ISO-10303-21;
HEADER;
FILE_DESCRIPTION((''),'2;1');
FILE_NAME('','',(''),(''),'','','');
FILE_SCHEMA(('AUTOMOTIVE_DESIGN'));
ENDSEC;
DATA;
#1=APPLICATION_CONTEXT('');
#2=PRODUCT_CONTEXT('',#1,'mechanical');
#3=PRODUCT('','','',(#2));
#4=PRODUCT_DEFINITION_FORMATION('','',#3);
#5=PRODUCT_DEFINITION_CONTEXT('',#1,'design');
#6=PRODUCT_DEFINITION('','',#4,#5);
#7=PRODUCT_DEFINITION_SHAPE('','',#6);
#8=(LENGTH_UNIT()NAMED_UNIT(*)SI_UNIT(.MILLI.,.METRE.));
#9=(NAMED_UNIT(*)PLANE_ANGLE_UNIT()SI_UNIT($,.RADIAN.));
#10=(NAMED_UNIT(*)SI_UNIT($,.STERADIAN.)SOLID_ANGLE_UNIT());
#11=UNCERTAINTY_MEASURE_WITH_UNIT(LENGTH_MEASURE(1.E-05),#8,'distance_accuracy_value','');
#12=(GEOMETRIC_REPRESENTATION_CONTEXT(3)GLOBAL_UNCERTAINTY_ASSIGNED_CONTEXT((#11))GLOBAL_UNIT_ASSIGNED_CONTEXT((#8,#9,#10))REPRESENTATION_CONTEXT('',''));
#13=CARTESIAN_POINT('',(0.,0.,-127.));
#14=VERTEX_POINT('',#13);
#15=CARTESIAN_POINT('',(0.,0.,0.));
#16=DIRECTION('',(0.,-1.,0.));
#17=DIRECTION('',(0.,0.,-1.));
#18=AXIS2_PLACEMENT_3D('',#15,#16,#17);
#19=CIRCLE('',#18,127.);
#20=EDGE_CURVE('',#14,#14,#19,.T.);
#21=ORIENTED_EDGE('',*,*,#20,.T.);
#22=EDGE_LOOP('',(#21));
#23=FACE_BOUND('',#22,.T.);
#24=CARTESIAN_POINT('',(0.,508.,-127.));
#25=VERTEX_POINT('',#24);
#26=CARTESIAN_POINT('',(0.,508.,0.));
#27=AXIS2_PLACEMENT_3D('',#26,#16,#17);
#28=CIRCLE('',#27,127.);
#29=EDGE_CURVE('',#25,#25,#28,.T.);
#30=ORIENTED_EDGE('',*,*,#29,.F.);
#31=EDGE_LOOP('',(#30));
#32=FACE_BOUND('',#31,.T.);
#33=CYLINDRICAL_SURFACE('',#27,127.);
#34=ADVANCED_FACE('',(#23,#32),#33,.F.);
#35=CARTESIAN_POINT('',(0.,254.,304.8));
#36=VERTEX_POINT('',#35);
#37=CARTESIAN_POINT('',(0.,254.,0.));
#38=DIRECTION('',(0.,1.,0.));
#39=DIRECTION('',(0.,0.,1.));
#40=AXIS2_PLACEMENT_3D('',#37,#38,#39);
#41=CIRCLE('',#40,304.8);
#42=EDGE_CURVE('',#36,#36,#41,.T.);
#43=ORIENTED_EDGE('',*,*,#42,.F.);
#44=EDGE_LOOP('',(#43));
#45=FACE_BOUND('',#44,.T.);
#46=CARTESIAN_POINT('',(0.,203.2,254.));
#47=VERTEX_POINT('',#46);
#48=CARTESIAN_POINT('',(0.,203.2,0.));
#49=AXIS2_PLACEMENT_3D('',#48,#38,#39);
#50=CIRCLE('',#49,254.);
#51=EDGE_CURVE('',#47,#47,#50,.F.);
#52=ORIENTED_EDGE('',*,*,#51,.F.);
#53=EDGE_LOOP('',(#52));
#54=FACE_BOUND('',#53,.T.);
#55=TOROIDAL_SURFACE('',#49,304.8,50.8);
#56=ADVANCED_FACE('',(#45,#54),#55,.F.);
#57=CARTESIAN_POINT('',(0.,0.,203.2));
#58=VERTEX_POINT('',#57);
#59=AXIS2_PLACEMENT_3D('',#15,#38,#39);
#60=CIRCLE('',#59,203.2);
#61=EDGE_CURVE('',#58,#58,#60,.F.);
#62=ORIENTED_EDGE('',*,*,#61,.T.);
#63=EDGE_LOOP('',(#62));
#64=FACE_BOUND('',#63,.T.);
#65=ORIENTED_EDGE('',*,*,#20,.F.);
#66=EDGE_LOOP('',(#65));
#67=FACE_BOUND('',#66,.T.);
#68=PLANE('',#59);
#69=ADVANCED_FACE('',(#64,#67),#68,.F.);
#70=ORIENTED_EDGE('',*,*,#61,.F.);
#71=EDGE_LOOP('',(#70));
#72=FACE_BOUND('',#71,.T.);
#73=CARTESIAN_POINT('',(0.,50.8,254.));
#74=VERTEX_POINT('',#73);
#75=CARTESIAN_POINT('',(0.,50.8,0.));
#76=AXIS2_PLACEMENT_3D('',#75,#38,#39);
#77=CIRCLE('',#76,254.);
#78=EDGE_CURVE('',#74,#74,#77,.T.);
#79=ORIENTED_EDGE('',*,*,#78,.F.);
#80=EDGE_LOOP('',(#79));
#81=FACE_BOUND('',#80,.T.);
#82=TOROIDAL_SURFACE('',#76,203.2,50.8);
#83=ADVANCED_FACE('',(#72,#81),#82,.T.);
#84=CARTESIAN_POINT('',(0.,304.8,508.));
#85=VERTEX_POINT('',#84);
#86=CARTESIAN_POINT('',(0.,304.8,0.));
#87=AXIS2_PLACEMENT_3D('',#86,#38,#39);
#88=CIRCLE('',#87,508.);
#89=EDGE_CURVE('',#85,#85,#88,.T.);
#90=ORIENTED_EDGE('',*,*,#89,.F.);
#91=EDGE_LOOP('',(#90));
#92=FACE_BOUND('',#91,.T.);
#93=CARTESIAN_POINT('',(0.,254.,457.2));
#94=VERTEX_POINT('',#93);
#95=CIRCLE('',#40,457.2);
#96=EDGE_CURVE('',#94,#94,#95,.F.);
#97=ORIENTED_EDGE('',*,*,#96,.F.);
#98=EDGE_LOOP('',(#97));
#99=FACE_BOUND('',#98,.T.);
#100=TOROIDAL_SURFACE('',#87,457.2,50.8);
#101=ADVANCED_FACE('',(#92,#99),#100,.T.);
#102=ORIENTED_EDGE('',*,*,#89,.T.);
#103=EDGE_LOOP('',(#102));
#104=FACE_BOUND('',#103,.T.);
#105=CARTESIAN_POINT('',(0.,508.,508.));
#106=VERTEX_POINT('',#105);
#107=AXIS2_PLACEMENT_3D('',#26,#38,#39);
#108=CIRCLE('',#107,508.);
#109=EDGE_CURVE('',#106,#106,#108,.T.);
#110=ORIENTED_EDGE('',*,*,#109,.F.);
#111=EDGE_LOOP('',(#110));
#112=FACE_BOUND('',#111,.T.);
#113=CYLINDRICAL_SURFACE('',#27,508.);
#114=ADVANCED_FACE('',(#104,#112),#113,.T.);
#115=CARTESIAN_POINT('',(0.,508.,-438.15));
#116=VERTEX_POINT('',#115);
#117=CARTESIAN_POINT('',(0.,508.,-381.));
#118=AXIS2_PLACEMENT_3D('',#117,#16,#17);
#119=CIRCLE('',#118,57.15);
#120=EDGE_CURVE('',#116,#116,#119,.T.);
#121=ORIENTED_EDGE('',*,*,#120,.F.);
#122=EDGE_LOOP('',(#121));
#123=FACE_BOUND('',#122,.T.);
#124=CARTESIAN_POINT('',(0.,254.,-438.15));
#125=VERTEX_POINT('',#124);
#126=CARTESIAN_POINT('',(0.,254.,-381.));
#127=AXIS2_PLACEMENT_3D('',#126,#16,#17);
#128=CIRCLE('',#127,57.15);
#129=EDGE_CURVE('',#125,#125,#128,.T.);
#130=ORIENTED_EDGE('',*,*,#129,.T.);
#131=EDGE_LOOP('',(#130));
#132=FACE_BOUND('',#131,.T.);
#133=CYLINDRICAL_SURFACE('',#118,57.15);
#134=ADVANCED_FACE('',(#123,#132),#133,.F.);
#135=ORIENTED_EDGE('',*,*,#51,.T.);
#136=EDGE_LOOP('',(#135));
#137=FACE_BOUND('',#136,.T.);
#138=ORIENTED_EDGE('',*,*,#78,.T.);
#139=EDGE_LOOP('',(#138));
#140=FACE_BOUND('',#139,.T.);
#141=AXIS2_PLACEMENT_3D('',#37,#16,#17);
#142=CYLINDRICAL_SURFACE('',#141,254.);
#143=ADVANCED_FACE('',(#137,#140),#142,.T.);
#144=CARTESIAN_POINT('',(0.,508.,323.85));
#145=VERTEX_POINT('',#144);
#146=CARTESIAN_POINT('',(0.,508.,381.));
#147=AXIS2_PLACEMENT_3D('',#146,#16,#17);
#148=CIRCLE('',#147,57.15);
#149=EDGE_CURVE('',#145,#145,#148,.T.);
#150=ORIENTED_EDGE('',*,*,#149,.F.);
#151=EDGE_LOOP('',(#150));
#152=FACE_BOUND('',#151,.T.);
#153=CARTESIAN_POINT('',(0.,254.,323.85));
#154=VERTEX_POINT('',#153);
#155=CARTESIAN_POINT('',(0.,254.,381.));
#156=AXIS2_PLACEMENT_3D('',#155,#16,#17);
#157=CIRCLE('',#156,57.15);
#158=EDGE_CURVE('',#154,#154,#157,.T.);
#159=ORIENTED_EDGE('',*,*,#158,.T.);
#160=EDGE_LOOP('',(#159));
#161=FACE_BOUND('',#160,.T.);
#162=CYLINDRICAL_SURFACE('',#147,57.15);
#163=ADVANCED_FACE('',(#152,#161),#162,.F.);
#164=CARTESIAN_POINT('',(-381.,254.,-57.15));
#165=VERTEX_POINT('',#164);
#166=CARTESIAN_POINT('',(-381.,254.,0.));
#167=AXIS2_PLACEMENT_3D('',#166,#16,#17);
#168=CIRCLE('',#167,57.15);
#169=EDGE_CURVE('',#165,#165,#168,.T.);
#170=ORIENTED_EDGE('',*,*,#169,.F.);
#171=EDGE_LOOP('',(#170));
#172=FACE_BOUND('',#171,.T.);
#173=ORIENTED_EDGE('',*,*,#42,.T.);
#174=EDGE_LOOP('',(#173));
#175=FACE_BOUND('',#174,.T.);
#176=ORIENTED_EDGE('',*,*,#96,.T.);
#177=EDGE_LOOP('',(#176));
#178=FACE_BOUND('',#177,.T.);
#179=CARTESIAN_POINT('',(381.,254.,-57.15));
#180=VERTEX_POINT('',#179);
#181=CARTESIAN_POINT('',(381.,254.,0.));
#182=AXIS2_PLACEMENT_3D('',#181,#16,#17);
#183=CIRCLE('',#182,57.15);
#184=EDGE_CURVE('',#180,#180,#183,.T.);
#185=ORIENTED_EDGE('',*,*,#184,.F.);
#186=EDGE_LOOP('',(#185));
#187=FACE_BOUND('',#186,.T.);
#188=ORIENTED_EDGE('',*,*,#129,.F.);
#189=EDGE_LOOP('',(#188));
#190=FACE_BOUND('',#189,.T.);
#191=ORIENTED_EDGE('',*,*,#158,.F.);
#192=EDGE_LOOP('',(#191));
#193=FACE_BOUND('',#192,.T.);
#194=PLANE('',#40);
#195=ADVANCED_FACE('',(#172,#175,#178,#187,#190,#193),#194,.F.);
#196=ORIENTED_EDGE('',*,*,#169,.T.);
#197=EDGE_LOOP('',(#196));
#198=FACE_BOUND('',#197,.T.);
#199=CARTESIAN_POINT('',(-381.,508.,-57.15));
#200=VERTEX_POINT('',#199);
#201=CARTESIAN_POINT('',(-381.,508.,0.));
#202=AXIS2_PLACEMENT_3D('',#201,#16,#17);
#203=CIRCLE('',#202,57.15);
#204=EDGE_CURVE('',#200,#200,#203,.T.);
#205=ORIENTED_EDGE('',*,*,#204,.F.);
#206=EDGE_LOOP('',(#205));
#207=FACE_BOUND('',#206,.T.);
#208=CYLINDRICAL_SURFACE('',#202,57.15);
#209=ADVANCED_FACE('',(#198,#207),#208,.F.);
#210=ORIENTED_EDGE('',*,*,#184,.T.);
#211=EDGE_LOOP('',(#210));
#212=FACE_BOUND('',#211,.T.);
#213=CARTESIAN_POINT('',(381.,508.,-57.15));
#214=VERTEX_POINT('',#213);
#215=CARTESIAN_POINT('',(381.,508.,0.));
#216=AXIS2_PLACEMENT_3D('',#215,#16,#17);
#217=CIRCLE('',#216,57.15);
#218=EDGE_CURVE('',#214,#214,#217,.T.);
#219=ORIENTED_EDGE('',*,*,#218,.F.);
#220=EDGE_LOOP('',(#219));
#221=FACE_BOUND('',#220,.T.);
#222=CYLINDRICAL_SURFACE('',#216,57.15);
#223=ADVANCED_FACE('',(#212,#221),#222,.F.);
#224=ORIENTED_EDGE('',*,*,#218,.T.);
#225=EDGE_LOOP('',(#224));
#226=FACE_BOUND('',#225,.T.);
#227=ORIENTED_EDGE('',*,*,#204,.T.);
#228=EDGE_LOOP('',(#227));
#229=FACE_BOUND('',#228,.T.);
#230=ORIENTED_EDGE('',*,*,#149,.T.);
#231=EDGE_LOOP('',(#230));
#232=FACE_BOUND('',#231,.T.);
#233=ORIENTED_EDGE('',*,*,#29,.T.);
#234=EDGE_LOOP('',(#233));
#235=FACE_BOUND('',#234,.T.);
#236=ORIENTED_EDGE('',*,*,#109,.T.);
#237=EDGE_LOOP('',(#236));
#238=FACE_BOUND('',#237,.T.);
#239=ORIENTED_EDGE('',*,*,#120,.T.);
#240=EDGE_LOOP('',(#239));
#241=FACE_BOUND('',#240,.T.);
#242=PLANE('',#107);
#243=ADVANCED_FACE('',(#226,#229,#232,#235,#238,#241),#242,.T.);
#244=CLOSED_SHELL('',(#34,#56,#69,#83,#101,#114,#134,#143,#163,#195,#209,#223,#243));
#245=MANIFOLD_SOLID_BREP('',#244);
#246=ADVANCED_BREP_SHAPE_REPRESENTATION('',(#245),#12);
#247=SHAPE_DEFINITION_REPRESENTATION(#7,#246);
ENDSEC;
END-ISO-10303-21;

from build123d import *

# Parameters (mm, degrees)
SKETCH1_R           = 254
BOSS_EXTRUDE1_DEPTH = 254
SKETCH2_R           = 508
BOSS_EXTRUDE2_DEPTH = 254
SKETCH3_R           = 127
CUT_EXTRUDE1_DEPTH  = 880.881810245
SKETCH4_R           = 57.15
CUT_EXTRUDE2_DEPTH  = 763
FILLET1_R           = 50.8


with BuildPart() as part:
    # Sketch1 → Boss-Extrude1 (new body)
    with BuildSketch(Plane(origin=(0, 0, 0), x_dir=(1, 0, 0), z_dir=(0, 1, 0))):
        with Locations(Location((0, 0, 0), (0, 0, 270))):
            Circle(SKETCH1_R)
    extrude(amount=BOSS_EXTRUDE1_DEPTH)

    # Sketch2 → Boss-Extrude2 (add)
    with BuildSketch(Plane(origin=(0, 254, 0), x_dir=(1, 0, 0), z_dir=(0, 1, 0))):
        with Locations(Location((0, 0, 0), (0, 0, 270))):
            Circle(SKETCH2_R)
    extrude(amount=BOSS_EXTRUDE2_DEPTH)

    # Sketch3 → Cut-Extrude1 (cut, through all)
    with BuildSketch(Plane.XZ):
        with Locations(Location((0, 0, 0), (0, 0, 270))):
            Circle(SKETCH3_R)
    extrude(amount=-CUT_EXTRUDE1_DEPTH, mode=Mode.SUBTRACT)

    # Sketch4 → Cut-Extrude2 (cut, through all)
    with BuildSketch(Plane.XZ.offset(-254)):
        with Locations(Location((0, -381, 0), (0, 0, 270))):
            Circle(SKETCH4_R)
        with Locations(Location((381, 0, 0), (0, 0, 270))):
            Circle(SKETCH4_R)
        with Locations(Location((0, 381, 0), (0, 0, 270))):
            Circle(SKETCH4_R)
        with Locations(Location((-381, 0, 0), (0, 0, 270))):
            Circle(SKETCH4_R)
    extrude(amount=-CUT_EXTRUDE2_DEPTH, mode=Mode.SUBTRACT)

    # Fillet1
    fillet1_edges = [part.edges().sort_by_distance(p)[0] for p in [
        (0, 0, -254),
        (0, 254, -254),
        (0, 254, -508),
    ]]
    fillet(fillet1_edges, radius=FILLET1_R)


solid = part.part
